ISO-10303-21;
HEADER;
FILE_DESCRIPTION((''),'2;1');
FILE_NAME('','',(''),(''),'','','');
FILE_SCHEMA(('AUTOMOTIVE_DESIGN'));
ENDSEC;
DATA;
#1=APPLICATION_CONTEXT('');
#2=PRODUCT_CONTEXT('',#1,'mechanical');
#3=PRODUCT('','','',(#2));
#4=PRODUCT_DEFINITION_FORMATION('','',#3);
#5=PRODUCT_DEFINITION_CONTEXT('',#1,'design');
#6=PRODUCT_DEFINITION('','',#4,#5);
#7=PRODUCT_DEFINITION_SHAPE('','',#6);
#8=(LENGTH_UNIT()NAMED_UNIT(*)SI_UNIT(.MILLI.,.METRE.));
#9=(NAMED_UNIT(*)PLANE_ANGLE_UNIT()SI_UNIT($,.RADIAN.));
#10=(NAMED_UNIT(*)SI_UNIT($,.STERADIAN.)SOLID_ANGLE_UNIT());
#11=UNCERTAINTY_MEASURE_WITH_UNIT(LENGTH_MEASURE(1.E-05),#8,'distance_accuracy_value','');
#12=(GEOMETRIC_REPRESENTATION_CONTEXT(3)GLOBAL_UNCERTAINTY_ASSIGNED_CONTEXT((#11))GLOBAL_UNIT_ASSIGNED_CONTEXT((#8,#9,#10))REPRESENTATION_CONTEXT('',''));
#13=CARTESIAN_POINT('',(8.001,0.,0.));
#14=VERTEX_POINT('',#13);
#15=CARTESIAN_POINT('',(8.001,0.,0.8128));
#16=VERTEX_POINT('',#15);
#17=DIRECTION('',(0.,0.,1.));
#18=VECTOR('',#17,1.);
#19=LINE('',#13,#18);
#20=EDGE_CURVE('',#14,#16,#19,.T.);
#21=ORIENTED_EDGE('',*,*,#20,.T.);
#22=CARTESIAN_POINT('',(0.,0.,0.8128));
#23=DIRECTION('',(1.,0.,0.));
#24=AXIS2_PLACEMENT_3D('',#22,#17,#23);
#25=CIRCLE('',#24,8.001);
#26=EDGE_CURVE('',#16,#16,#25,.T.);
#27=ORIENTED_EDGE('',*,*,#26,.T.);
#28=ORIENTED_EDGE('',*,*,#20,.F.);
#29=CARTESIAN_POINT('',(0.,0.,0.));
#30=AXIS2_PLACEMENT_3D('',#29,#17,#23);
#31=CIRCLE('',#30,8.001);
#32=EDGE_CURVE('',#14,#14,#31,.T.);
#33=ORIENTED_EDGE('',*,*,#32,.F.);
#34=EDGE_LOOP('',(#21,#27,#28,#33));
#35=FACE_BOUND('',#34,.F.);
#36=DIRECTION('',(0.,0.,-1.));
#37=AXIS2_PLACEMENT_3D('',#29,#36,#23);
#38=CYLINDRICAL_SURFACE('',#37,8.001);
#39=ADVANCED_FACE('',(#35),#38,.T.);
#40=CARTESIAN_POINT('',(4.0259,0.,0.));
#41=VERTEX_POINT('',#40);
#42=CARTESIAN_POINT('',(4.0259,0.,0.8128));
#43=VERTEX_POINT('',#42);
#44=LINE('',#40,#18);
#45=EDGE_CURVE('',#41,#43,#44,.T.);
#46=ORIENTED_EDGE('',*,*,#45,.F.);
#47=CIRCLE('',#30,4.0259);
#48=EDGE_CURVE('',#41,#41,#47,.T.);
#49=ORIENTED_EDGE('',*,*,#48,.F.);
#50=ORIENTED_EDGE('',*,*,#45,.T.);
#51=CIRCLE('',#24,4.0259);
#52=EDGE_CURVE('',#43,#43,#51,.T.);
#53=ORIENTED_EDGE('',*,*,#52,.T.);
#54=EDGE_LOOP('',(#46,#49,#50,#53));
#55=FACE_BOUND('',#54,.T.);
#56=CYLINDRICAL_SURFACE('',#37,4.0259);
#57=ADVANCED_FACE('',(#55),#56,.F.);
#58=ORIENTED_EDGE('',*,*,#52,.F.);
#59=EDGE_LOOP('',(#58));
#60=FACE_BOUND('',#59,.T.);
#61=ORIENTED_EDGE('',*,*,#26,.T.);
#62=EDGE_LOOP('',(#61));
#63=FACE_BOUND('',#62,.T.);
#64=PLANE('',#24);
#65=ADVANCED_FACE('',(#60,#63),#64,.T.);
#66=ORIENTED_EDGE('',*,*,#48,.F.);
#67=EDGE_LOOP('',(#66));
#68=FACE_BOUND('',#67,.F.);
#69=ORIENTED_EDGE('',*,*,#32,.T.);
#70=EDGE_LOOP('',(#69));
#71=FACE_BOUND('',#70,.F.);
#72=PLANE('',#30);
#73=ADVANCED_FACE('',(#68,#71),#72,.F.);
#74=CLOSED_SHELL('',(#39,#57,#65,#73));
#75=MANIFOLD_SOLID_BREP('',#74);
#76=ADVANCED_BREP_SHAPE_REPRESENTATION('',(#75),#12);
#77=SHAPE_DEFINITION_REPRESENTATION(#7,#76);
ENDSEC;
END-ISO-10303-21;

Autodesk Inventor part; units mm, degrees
ref_plane "YZ Plane" through (0, 0, 0) normal (1, 0, 0) x (0, 1, 0)
ref_plane "XZ Plane" through (0, 0, 0) normal (0, 1, 0) x (-1, 0, 0)
ref_plane "XY Plane" through (0, 0, 0) normal (0, 0, 1) x (1, 0, 0)
sketch "Sketch1" plane through (0, 0, 0) normal (0, 0, 1) x (1, 0, 0)
  circle A0 centre (0, 0) radius 8.001
  circle A1 centre (0, 0) radius 4.0259
  dimension "d0" = 16.002
  dimension "d1" = 8.0518
extrude "Extrusion1" add sketch "Sketch1" along normal blind 0.8128
properties part number "Potenciometro - Arandela"
